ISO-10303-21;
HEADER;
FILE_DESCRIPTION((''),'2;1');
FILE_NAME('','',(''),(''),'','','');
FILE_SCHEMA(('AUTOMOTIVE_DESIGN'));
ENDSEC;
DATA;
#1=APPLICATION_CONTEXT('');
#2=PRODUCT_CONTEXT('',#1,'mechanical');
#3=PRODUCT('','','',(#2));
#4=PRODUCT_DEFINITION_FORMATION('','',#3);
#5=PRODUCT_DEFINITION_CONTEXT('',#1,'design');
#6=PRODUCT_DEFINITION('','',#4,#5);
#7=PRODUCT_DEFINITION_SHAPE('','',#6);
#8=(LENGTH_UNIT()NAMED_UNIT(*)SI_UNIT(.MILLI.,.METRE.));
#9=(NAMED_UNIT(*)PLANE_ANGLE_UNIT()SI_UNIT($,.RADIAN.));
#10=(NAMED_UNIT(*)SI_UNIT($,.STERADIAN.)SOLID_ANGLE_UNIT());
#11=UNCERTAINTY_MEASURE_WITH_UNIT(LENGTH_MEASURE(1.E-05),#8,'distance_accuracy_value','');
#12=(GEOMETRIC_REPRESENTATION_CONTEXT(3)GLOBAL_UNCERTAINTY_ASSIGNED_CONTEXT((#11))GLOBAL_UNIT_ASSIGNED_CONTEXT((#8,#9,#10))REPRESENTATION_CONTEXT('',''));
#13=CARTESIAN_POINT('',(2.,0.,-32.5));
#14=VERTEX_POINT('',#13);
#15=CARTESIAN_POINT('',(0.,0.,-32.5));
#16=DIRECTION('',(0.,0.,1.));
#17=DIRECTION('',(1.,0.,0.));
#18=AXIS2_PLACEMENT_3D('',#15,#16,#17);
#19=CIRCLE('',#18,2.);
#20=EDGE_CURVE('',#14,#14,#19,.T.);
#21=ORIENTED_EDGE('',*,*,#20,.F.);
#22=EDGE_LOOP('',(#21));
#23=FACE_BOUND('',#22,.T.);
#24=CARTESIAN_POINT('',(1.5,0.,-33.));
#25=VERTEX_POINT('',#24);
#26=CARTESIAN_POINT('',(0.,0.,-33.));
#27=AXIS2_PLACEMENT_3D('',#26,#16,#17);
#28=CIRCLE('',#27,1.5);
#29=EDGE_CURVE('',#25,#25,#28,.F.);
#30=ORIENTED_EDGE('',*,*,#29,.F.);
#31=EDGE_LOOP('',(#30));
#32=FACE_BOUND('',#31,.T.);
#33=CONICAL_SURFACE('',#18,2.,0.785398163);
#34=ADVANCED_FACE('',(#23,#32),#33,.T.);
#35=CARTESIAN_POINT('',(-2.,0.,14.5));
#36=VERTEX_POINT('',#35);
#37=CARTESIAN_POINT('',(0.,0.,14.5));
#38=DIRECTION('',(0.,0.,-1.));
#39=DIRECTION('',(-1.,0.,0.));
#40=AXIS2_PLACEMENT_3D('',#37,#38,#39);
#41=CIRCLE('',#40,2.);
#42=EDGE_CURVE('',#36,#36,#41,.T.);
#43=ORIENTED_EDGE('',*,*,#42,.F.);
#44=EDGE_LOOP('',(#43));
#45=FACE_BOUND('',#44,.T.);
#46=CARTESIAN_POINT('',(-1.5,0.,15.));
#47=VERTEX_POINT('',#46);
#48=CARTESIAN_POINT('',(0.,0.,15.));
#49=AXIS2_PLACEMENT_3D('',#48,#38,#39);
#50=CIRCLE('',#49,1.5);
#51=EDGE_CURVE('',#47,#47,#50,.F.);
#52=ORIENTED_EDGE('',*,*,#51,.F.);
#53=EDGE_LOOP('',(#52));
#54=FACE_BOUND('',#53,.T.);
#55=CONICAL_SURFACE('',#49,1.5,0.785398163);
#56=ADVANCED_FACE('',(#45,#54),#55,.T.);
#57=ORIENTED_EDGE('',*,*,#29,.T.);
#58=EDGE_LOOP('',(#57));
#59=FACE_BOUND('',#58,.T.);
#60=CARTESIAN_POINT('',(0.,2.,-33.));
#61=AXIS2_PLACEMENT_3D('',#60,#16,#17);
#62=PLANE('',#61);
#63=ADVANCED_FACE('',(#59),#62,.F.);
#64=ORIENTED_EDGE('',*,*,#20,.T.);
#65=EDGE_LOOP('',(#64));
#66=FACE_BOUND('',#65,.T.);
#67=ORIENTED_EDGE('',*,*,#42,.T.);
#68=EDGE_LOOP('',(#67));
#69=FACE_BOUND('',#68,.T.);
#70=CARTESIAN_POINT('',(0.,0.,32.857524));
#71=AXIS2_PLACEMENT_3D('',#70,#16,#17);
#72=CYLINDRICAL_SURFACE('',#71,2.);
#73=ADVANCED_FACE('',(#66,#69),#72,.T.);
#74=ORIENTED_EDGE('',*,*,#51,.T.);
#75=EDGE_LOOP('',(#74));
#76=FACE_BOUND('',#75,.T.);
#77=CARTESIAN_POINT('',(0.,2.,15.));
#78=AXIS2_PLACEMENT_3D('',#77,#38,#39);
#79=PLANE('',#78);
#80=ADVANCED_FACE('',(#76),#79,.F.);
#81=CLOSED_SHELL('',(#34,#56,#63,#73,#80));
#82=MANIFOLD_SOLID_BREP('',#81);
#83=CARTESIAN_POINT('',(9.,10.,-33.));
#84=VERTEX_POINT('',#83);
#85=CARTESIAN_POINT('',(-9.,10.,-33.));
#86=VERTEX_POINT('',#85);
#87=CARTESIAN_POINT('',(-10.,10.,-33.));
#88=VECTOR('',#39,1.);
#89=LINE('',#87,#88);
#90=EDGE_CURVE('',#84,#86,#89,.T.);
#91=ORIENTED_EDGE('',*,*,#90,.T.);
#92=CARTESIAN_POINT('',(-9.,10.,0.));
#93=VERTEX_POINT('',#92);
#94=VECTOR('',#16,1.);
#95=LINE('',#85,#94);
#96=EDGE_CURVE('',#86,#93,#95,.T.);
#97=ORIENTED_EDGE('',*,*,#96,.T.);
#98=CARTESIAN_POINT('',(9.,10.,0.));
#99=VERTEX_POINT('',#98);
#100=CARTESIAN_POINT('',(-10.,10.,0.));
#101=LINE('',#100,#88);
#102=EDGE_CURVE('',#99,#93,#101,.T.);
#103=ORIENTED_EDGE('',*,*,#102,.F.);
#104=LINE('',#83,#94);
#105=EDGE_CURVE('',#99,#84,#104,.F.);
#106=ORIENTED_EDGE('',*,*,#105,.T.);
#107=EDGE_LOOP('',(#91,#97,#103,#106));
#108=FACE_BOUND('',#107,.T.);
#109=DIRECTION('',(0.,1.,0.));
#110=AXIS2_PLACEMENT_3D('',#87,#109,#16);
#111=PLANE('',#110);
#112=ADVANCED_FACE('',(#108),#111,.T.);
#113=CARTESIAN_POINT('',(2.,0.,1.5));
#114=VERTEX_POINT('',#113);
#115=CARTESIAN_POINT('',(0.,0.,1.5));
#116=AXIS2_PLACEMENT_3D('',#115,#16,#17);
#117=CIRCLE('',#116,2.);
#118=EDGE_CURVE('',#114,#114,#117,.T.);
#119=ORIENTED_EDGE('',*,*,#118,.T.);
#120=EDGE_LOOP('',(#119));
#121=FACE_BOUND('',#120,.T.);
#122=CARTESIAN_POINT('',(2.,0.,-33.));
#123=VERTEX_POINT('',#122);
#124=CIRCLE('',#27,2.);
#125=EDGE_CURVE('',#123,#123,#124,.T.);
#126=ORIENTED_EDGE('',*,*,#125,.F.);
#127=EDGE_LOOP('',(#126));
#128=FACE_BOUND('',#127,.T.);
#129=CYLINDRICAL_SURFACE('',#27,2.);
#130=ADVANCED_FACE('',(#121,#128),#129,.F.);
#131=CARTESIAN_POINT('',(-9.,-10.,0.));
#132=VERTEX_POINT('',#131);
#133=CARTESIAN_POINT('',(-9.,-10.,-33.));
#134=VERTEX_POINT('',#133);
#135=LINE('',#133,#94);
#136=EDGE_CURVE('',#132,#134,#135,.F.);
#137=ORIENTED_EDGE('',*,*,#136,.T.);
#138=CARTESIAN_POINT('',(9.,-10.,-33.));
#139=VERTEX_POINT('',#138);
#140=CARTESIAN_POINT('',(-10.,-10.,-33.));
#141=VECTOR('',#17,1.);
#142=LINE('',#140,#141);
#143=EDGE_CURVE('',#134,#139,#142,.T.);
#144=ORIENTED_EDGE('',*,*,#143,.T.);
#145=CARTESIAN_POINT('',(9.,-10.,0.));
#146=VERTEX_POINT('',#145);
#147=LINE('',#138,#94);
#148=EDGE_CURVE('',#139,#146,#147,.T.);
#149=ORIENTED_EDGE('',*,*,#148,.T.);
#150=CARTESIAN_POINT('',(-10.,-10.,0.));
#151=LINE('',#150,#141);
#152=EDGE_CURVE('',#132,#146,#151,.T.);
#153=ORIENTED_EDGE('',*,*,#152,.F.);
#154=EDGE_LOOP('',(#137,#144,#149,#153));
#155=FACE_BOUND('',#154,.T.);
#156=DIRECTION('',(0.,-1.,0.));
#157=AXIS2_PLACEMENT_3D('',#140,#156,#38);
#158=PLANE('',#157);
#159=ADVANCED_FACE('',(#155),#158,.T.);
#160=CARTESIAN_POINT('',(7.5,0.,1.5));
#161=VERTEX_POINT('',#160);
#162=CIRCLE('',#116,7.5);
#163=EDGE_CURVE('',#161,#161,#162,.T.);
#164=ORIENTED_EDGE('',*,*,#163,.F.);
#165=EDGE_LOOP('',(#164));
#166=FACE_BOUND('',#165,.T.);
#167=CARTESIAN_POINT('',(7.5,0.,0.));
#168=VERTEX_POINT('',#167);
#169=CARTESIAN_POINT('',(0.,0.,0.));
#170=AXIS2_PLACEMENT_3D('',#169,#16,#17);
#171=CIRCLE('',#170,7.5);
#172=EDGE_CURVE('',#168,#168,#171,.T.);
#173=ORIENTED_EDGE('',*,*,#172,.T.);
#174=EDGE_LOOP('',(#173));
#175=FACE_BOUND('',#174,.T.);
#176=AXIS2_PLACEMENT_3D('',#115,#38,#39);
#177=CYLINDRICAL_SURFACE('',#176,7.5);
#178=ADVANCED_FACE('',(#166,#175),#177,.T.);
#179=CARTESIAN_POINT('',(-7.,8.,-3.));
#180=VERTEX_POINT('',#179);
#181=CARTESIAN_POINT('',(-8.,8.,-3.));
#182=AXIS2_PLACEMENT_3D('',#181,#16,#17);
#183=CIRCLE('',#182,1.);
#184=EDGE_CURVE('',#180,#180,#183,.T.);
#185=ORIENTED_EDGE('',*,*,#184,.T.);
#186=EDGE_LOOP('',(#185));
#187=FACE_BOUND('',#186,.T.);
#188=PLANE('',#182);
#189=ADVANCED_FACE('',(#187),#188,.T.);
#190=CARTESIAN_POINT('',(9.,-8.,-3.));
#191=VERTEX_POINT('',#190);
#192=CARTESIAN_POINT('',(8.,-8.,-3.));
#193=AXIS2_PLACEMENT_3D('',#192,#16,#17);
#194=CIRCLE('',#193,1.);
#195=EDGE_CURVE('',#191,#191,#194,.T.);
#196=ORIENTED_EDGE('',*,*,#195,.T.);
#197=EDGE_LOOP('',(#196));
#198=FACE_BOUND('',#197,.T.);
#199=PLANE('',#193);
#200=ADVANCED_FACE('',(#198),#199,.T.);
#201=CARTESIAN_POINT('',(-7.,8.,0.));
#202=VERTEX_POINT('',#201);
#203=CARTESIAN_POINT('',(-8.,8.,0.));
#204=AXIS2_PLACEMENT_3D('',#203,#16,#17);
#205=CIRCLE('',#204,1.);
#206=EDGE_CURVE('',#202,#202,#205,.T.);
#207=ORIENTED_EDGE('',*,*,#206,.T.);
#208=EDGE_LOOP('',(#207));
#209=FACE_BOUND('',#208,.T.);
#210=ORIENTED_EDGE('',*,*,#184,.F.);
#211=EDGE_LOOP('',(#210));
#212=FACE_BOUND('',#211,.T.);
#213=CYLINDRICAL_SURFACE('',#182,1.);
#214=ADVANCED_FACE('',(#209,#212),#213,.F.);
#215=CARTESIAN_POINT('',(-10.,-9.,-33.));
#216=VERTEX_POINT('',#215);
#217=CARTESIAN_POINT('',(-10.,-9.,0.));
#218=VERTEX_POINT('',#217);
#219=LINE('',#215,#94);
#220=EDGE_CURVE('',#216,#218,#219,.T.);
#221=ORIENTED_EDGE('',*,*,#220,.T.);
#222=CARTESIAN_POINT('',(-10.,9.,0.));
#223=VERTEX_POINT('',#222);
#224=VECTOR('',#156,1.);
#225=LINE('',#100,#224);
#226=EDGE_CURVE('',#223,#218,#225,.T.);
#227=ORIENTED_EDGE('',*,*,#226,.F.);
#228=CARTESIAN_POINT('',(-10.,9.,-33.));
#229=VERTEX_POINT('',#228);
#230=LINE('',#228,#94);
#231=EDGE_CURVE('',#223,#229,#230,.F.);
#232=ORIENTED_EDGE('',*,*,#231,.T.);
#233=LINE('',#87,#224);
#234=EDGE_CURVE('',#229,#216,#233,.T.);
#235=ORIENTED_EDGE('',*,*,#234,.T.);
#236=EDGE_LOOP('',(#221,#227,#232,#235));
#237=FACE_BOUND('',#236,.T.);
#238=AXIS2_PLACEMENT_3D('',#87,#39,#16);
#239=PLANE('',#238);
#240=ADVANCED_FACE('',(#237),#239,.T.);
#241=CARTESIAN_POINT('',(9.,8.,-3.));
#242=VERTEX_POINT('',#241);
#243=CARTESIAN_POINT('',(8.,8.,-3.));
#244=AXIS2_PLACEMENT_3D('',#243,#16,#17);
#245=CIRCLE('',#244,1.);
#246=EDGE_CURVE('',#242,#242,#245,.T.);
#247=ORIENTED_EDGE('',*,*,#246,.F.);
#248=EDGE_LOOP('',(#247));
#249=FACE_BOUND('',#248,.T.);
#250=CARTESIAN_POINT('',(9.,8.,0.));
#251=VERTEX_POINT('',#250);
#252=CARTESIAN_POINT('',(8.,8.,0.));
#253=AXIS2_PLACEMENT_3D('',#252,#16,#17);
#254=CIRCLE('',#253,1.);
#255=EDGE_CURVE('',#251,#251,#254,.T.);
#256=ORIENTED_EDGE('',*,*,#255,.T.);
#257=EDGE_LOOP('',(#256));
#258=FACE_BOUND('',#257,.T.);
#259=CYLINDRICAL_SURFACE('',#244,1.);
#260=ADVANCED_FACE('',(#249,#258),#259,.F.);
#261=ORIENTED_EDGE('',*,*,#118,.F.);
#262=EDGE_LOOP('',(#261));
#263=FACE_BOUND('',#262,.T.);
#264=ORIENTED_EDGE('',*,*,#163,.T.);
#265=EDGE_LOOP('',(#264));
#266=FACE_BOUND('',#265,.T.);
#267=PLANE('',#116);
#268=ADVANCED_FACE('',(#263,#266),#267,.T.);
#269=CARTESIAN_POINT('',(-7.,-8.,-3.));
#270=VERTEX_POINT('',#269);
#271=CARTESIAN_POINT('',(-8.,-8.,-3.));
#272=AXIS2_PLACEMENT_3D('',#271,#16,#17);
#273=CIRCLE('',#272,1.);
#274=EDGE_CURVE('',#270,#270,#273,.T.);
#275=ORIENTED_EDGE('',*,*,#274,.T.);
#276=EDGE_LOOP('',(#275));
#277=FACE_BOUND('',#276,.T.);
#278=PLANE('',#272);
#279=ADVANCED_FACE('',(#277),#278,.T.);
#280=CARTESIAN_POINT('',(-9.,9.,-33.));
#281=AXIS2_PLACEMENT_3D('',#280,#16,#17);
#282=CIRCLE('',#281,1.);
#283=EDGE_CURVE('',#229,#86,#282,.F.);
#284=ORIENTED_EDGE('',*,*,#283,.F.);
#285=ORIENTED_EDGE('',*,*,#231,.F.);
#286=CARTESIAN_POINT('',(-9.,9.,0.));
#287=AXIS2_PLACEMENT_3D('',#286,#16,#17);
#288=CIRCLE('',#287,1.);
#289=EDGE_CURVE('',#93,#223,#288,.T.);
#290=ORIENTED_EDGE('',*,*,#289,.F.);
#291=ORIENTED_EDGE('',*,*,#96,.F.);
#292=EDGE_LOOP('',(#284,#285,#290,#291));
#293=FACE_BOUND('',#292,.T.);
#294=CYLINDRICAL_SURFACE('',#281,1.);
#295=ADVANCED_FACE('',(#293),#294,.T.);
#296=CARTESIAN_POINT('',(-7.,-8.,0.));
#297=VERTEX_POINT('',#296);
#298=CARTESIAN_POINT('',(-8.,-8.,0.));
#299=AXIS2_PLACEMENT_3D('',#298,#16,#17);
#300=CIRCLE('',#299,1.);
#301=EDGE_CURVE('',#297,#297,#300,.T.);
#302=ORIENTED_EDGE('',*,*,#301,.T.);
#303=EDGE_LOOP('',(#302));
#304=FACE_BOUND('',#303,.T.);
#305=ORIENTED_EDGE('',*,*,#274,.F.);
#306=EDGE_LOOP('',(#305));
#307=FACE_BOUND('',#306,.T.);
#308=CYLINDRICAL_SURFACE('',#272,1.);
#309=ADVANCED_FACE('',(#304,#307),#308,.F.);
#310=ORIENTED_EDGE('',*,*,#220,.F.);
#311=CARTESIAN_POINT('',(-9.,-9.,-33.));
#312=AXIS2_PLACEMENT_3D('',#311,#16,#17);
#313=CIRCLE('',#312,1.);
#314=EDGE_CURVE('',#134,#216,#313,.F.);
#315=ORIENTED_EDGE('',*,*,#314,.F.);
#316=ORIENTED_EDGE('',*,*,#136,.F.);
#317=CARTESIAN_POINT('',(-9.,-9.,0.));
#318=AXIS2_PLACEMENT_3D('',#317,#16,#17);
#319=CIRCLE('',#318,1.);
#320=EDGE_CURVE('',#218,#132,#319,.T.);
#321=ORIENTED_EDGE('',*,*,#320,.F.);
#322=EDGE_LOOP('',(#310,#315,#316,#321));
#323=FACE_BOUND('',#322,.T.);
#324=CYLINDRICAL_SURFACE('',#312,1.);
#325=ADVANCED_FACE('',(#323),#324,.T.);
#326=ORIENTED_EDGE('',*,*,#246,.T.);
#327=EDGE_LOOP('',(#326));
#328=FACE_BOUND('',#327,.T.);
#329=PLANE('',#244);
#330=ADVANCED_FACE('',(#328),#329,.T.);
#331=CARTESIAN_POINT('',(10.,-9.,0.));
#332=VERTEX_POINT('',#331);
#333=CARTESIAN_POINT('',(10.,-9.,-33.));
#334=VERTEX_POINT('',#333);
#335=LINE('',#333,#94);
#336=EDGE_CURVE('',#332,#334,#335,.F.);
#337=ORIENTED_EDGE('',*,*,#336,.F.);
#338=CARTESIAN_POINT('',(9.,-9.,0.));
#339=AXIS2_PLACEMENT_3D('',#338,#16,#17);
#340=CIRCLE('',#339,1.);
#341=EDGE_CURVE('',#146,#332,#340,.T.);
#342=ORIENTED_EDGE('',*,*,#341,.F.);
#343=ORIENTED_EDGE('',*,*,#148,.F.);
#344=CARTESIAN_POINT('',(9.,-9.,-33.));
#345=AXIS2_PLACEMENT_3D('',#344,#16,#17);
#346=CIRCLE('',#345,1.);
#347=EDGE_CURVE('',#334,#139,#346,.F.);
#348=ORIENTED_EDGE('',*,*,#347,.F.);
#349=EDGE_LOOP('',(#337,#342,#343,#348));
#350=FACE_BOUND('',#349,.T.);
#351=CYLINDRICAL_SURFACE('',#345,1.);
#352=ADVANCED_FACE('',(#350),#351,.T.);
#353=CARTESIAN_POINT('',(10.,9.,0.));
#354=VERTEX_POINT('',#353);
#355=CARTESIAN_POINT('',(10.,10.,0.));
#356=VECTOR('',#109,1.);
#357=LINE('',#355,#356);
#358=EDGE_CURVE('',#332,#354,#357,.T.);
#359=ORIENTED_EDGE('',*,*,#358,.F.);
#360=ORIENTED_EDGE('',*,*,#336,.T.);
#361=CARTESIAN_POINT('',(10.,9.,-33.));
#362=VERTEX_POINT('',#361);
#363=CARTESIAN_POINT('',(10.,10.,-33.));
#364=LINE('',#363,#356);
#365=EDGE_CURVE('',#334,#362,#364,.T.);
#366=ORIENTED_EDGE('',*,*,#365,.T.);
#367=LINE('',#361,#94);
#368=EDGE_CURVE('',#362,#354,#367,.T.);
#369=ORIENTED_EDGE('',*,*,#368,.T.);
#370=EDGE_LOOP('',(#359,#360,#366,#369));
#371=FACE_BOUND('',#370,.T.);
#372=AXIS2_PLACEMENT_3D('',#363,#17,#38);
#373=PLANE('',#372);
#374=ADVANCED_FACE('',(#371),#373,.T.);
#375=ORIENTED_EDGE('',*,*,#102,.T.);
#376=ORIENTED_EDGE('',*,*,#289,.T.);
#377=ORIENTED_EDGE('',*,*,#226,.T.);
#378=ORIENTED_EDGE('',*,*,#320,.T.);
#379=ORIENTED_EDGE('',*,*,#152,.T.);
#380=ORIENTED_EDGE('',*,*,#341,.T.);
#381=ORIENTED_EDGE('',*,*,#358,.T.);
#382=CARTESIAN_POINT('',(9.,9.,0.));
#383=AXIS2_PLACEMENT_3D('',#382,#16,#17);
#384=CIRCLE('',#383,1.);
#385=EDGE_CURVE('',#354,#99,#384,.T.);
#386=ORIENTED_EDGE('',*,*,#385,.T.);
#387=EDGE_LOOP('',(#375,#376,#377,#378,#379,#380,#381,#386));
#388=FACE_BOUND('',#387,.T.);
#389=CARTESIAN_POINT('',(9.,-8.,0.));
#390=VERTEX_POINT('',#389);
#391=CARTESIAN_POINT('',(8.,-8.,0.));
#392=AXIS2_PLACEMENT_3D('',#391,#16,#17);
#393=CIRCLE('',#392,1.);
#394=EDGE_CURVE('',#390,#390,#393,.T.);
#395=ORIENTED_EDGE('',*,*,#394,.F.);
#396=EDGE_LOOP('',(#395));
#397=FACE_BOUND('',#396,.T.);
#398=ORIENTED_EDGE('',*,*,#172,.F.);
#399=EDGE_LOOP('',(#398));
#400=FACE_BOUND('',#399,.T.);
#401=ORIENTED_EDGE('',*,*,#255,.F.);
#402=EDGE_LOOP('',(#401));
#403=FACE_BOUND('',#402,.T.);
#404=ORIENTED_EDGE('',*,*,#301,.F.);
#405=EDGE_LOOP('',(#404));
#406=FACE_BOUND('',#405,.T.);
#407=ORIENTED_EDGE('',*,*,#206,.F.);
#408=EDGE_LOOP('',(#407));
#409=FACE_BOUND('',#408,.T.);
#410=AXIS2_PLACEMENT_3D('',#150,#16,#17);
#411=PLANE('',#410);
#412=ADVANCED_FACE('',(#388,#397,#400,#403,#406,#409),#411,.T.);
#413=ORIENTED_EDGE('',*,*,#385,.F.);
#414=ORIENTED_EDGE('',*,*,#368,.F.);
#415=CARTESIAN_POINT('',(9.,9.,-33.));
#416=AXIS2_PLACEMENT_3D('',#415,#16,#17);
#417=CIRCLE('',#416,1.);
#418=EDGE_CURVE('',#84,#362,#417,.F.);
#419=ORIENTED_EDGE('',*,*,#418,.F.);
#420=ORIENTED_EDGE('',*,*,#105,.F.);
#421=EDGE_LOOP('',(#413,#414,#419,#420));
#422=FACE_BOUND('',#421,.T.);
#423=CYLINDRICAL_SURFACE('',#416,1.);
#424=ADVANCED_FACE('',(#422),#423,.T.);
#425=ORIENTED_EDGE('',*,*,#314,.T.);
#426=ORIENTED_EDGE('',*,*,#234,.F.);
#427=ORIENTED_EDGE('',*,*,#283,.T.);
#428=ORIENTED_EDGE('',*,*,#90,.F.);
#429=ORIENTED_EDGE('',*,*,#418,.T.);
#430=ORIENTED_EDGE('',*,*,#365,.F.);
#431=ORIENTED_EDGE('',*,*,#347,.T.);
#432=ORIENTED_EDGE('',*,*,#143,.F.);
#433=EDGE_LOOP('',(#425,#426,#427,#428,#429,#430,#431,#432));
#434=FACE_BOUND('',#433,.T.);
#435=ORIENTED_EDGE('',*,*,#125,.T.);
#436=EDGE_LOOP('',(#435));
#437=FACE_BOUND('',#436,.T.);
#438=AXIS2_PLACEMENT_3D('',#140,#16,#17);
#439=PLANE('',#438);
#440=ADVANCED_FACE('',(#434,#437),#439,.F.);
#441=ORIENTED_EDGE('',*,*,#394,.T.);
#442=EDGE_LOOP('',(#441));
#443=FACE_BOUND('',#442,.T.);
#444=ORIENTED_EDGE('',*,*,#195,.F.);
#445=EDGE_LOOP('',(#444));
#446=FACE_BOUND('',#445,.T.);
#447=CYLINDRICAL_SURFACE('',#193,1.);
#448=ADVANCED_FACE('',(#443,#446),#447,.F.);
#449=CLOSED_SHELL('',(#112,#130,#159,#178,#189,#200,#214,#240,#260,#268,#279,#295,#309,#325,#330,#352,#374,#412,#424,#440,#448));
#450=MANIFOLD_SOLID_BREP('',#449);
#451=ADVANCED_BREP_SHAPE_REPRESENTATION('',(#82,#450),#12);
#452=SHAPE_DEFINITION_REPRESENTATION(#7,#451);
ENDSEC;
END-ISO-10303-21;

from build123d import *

# Parameters (mm, degrees)
SKETCH1_W           = 20
SKETCH1_H           = 20
BOSS_EXTRUDE1_DEPTH = 33
SKETCH2_R           = 7.5
BOSS_EXTRUDE2_DEPTH = 1.5
SKETCH3_R           = 2
CUT_EXTRUDE1_DEPTH  = 35.5
FILLET1_R           = 1
SKETCH4_R           = 1
CUT_EXTRUDE2_DEPTH  = 3
SKETCH5_W           = 48
SKETCH5_H           = 2
CHAMFER1_SIZE       = 0.5


with BuildPart() as part:
    # Sketch1 → Boss-Extrude1 (new body)
    with BuildSketch(Plane.XY):
        Rectangle(SKETCH1_W, SKETCH1_H)
    extrude(amount=-BOSS_EXTRUDE1_DEPTH)

    # Sketch2 → Boss-Extrude2 (add)
    with BuildSketch(Plane.XY):
        Circle(SKETCH2_R)
    extrude(amount=BOSS_EXTRUDE2_DEPTH)

    # Sketch3 → Cut-Extrude1 (cut, through all)
    with BuildSketch(Plane.XY.offset(1.5)):
        Circle(SKETCH3_R)
    extrude(amount=-CUT_EXTRUDE1_DEPTH, mode=Mode.SUBTRACT)

    # Fillet1
    fillet1_edges = [part.edges().sort_by_distance(p)[0] for p in [
        (-10, 10, -16.5),
        (10, 10, -16.5),
        (10, -10, -16.5),
        (-10, -10, -16.5),
    ]]
    fillet(fillet1_edges, radius=FILLET1_R)

    # Sketch4 → Cut-Extrude2 (cut)
    with BuildSketch(Plane.XY):
        with Locations((8, 8)):
            Circle(SKETCH4_R)
        with Locations((-8, 8)):
            Circle(SKETCH4_R)
        with Locations((-8, -8)):
            Circle(SKETCH4_R)
        with Locations((8, -8)):
            Circle(SKETCH4_R)
    extrude(amount=-CUT_EXTRUDE2_DEPTH, mode=Mode.SUBTRACT)


with BuildPart() as body_2:
    # Sketch5 → Revolve1 (revolve)
    with BuildSketch(Plane(origin=(0, 0, 0), x_dir=(0, 0, -1), z_dir=(1, 0, 0))):
        with Locations((9, 1)):
            Rectangle(SKETCH5_W, SKETCH5_H)
    revolve(axis=Axis((0, 0, 32.857523653), (0, 0, -1)))

    # Chamfer1
    chamfer1_edges = [body_2.edges().sort_by_distance(p)[0] for p in [
        (0, -2, 15),
        (0, -2, -33),
    ]]
    chamfer(chamfer1_edges, length=CHAMFER1_SIZE)


solid = Compound([part.part, body_2.part])
